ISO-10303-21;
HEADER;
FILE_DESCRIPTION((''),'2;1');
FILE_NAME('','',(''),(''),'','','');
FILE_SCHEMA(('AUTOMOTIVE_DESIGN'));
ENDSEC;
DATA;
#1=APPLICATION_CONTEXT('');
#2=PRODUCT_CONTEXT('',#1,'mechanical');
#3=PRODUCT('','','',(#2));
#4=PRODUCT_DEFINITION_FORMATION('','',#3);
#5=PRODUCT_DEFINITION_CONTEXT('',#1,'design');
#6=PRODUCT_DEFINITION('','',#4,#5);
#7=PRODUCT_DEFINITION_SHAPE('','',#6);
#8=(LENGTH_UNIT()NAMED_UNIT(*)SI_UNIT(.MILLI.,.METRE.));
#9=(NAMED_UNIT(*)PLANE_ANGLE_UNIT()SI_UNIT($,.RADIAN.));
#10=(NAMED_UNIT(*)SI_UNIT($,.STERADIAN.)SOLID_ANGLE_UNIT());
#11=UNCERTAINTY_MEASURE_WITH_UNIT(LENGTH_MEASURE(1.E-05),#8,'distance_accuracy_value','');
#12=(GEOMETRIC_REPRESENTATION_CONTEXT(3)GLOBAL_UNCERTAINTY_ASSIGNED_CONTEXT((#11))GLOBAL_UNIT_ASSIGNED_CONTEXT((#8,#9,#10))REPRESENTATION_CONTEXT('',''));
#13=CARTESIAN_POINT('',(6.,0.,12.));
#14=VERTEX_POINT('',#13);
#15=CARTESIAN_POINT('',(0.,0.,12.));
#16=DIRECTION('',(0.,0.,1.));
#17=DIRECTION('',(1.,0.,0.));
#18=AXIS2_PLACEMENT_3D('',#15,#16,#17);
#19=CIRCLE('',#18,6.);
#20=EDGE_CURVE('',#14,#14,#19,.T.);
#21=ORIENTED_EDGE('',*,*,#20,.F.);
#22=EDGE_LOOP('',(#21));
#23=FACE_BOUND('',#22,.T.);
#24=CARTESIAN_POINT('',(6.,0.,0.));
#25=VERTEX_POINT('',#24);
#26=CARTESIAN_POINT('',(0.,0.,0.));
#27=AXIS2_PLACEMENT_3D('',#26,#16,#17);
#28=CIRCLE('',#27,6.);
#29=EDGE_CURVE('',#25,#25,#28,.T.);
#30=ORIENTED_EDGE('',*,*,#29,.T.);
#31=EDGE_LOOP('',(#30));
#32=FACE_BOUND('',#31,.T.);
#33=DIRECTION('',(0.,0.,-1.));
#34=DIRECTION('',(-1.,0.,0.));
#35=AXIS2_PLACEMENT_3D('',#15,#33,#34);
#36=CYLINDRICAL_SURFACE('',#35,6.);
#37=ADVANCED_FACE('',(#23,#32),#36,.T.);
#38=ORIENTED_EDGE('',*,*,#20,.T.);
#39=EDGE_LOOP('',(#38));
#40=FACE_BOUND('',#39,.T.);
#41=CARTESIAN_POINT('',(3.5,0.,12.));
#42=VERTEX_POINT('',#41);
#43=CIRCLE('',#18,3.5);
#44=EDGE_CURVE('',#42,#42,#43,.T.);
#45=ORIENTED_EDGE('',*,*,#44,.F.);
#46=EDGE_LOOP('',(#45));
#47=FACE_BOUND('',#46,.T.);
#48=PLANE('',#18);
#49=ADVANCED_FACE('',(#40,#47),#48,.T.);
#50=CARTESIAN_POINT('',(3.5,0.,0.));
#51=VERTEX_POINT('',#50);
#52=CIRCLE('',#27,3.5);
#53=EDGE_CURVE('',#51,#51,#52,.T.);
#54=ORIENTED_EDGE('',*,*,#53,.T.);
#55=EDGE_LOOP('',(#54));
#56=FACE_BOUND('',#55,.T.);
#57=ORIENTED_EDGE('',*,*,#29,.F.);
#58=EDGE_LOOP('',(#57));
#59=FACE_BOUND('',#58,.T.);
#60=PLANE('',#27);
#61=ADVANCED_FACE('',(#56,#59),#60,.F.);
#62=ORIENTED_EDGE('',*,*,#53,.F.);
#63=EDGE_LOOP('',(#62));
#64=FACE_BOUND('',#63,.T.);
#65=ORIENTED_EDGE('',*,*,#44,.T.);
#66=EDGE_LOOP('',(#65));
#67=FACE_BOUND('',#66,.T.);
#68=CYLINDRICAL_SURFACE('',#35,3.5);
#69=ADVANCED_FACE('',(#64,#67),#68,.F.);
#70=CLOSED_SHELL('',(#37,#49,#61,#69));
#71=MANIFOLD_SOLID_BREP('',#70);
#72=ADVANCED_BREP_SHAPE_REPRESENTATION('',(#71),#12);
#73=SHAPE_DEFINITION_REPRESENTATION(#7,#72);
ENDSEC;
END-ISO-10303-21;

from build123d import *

# Parameters (mm, degrees)
SKETCH_1_R      = 6
SKETCH_1_R_2    = 3.5
EXTRUDE_1_DEPTH = 12


with BuildPart() as part:
    # 草图1 → 凸台-拉伸1 (new body)
    with BuildSketch(Plane.XY):
        Circle(SKETCH_1_R)
        Circle(SKETCH_1_R_2, mode=Mode.SUBTRACT)
    extrude(amount=EXTRUDE_1_DEPTH)


solid = part.part
